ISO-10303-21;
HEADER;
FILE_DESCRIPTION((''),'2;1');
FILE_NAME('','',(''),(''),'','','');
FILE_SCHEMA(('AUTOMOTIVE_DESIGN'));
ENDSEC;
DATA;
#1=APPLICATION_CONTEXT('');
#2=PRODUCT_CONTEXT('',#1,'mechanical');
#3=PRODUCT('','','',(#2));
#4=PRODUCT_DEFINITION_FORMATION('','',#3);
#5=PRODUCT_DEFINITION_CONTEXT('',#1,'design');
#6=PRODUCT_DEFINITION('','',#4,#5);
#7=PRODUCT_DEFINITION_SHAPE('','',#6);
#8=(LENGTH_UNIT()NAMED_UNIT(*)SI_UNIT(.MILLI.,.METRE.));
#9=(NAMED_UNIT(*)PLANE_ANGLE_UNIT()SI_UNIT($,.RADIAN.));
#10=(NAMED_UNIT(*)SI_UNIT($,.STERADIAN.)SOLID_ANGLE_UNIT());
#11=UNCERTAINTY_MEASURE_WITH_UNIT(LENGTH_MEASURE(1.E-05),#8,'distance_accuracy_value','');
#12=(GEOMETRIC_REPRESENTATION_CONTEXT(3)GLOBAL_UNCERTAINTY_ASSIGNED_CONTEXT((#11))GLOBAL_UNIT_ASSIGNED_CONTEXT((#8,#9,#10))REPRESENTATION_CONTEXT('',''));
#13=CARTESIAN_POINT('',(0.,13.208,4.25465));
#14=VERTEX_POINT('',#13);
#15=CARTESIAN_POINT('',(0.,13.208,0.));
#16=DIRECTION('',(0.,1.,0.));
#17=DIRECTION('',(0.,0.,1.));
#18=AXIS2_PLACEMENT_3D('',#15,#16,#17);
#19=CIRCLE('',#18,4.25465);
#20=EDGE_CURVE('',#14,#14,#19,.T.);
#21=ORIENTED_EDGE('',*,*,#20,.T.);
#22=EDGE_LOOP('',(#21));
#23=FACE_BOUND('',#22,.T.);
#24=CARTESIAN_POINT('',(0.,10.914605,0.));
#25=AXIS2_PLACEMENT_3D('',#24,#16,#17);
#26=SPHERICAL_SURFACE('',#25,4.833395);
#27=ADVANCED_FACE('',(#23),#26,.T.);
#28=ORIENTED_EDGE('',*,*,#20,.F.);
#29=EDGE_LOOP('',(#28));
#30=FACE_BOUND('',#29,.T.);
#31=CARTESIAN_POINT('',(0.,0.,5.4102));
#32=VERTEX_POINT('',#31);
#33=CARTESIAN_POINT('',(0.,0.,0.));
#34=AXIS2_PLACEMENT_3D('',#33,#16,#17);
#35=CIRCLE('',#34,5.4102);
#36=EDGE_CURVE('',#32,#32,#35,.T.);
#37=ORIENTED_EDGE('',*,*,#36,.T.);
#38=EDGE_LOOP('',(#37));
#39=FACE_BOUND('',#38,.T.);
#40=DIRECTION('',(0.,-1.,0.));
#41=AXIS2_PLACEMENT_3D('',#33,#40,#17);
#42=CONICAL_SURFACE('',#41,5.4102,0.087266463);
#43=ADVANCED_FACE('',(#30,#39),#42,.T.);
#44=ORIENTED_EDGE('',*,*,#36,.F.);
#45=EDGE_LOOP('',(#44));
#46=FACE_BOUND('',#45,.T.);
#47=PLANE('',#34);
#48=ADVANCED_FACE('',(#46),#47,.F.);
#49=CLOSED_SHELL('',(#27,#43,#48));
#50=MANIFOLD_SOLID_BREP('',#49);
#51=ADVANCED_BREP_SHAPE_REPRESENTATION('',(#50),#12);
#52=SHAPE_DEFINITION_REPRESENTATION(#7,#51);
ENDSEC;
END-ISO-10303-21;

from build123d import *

# Parameters (mm, degrees)
SKETCH1_R           = 5.4102
BOSS_EXTRUDE1_DEPTH = 13.208
BOSS_EXTRUDE1_TAPER = 5
DOME1_FACE_RADIUS   = 4.254649732
DOME1_HEIGHT        = 2.54


with BuildPart() as part:
    # Sketch1 → Boss-Extrude1 (new body)
    with BuildSketch(Plane(origin=(0, 0, 0), x_dir=(1, 0, 0), z_dir=(0, 1, 0))):
        Circle(SKETCH1_R)
    extrude(amount=BOSS_EXTRUDE1_DEPTH, taper=BOSS_EXTRUDE1_TAPER)

    # Dome1: a dome of height H over a round flat face of radius A is a cap of a sphere of radius (A * A + H * H) / (2 * H)
    dome1_r = (DOME1_FACE_RADIUS * DOME1_FACE_RADIUS + DOME1_HEIGHT * DOME1_HEIGHT) / (2 * DOME1_HEIGHT)
    dome1_base = Plane((0, 13.208, 0), z_dir=(0, 1, 0))
    with Locations(dome1_base.offset(DOME1_HEIGHT - dome1_r)):
        dome1_ball = Sphere(dome1_r, mode=Mode.PRIVATE)
    add(split(dome1_ball, bisect_by=dome1_base, keep=Keep.TOP, mode=Mode.PRIVATE))


solid = part.part
